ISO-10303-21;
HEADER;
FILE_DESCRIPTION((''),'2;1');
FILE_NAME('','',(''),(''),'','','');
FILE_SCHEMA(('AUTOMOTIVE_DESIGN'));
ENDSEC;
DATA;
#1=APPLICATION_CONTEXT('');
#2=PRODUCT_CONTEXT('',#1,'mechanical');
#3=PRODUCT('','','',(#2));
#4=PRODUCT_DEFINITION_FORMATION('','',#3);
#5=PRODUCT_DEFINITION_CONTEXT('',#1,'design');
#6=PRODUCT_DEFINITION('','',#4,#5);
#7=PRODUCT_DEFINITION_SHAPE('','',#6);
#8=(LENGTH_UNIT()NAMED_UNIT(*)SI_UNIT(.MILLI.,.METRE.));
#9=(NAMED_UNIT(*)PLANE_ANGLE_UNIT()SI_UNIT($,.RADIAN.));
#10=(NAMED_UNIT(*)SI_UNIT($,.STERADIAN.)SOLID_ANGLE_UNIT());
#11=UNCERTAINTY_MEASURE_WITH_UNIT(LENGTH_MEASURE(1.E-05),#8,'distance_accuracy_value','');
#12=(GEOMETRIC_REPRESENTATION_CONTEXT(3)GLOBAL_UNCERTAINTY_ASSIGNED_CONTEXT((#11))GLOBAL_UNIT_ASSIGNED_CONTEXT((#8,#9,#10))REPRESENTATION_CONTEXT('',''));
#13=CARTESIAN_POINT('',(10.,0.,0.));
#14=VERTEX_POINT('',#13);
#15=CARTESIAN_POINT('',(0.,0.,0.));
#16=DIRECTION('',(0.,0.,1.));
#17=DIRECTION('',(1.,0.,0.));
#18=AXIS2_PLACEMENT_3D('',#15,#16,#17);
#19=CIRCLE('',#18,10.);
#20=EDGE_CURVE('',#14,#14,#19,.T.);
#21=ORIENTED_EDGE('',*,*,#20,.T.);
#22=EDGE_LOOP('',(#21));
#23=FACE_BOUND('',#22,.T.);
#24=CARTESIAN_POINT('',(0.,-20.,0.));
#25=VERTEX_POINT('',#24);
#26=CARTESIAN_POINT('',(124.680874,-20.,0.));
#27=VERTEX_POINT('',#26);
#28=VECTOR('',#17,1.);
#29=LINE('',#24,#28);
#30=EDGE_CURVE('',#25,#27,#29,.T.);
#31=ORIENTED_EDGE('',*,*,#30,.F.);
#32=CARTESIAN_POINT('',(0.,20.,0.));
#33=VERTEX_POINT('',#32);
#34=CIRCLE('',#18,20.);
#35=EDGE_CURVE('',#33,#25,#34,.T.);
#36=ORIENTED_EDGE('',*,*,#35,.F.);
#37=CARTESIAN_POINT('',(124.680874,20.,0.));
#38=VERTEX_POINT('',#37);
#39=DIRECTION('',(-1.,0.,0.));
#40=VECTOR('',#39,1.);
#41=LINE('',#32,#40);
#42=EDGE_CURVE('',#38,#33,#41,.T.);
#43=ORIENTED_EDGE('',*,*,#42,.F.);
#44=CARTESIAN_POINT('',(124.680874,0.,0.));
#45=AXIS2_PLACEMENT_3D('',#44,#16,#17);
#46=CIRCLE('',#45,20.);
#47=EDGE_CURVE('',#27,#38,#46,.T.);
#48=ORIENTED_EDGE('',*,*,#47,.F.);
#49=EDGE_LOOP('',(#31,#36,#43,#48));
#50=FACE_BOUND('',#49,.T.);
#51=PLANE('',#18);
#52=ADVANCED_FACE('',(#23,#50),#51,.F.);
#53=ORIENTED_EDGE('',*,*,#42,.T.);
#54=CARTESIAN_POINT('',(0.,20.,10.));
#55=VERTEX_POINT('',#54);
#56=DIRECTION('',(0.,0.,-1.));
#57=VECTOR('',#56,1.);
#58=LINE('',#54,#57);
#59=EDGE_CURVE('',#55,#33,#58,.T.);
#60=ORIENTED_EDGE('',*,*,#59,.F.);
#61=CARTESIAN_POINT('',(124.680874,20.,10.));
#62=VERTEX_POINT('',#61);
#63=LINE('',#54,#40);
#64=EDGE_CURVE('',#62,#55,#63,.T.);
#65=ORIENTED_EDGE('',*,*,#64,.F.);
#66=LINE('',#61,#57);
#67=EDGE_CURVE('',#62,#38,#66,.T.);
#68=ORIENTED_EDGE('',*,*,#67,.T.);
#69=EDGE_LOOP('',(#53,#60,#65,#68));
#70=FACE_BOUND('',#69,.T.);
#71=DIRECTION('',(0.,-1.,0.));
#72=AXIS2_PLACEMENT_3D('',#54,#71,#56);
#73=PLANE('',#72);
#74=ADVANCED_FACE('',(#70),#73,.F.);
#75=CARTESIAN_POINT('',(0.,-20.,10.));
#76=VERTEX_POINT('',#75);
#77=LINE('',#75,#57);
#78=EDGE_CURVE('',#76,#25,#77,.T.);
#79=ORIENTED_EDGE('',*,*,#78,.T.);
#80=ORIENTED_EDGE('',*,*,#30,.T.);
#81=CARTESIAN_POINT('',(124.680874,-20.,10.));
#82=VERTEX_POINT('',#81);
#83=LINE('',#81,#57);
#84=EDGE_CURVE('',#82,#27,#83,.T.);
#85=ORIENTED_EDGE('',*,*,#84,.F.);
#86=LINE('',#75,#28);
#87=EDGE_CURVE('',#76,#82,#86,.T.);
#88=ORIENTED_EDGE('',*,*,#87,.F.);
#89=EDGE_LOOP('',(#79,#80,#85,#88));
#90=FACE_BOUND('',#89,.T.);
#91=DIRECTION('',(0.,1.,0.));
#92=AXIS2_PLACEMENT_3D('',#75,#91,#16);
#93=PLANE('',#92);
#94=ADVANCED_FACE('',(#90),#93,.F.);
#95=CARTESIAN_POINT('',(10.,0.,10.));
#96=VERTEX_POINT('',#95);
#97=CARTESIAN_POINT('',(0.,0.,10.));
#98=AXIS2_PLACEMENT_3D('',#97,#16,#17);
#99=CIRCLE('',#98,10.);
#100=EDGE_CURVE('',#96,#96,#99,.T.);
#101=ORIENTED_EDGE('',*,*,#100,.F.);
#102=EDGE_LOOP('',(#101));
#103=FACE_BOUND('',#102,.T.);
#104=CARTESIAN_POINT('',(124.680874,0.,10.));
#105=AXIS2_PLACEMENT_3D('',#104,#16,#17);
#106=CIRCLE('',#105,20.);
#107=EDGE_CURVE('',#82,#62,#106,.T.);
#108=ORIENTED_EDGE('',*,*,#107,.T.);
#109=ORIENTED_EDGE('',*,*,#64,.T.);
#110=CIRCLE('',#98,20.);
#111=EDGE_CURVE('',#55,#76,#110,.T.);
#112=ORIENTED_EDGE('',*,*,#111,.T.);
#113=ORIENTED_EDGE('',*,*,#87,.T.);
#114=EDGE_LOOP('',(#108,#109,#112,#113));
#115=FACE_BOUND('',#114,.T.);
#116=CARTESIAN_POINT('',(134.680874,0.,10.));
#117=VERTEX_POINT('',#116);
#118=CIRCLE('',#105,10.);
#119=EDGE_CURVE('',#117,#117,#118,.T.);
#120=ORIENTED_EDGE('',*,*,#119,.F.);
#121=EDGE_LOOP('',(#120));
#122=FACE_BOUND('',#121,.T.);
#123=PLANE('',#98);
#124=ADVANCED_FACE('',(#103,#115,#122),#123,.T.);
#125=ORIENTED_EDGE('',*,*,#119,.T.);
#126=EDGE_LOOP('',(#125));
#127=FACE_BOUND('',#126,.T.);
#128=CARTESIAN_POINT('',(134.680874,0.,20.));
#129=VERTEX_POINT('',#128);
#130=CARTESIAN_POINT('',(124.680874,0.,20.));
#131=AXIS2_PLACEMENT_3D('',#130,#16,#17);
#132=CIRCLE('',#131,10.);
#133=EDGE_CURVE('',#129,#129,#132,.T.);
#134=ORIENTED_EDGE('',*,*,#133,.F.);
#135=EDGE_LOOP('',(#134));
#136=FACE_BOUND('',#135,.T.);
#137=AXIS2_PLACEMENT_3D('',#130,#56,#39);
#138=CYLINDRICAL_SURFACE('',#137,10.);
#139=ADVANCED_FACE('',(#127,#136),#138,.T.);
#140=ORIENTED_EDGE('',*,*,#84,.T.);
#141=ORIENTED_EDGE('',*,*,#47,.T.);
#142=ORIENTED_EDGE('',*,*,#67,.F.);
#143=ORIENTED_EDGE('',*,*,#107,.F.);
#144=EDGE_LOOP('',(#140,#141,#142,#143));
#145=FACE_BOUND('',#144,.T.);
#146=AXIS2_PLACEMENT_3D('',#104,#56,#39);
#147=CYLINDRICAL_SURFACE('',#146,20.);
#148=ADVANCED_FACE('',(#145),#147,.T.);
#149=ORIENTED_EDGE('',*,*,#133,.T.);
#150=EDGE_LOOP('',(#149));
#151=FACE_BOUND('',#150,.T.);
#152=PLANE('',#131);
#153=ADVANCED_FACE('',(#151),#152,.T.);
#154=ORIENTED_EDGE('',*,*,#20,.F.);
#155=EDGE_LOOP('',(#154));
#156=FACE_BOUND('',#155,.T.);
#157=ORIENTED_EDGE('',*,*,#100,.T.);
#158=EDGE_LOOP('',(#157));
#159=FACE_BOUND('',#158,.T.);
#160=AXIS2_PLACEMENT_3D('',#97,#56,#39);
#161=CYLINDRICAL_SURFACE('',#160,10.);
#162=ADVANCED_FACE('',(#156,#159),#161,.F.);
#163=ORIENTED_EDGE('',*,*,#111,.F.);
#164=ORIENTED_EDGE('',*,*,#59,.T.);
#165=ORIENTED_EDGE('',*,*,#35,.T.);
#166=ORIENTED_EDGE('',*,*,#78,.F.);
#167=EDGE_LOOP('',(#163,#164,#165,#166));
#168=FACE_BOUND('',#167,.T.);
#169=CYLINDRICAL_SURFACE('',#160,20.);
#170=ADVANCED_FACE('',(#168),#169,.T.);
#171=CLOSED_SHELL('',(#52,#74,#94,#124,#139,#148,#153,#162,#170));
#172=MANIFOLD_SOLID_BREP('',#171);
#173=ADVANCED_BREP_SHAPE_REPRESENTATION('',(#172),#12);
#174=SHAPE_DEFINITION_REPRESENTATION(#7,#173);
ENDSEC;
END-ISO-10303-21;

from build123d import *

# Parameters (mm, degrees)
SKETCH_1_R      = 10
EXTRUDE_1_DEPTH = 10
SKETCH_2_R      = 10
EXTRUDE_2_DEPTH = 10


with BuildPart() as part:
    # 스케치1 → 보스-돌출1 (new body)
    with BuildSketch(Plane.XY):
        with BuildLine():
            Line((0, 20), (124.680874083, 20))
            ThreePointArc((124.680874083, 20), (144.680874083, 0), (124.680874083, -20))
            Line((124.680874083, -20), (0, -20))
            ThreePointArc((0, -20), (-20, 0), (0, 20))
        make_face()
        Circle(SKETCH_1_R, mode=Mode.SUBTRACT)
    extrude(amount=EXTRUDE_1_DEPTH)

    # 스케치2 → 보스-돌출2 (add)
    with BuildSketch(Plane.XY.offset(10)):
        with Locations((124.680874083, 0)):
            Circle(SKETCH_2_R)
    extrude(amount=EXTRUDE_2_DEPTH)


solid = part.part
